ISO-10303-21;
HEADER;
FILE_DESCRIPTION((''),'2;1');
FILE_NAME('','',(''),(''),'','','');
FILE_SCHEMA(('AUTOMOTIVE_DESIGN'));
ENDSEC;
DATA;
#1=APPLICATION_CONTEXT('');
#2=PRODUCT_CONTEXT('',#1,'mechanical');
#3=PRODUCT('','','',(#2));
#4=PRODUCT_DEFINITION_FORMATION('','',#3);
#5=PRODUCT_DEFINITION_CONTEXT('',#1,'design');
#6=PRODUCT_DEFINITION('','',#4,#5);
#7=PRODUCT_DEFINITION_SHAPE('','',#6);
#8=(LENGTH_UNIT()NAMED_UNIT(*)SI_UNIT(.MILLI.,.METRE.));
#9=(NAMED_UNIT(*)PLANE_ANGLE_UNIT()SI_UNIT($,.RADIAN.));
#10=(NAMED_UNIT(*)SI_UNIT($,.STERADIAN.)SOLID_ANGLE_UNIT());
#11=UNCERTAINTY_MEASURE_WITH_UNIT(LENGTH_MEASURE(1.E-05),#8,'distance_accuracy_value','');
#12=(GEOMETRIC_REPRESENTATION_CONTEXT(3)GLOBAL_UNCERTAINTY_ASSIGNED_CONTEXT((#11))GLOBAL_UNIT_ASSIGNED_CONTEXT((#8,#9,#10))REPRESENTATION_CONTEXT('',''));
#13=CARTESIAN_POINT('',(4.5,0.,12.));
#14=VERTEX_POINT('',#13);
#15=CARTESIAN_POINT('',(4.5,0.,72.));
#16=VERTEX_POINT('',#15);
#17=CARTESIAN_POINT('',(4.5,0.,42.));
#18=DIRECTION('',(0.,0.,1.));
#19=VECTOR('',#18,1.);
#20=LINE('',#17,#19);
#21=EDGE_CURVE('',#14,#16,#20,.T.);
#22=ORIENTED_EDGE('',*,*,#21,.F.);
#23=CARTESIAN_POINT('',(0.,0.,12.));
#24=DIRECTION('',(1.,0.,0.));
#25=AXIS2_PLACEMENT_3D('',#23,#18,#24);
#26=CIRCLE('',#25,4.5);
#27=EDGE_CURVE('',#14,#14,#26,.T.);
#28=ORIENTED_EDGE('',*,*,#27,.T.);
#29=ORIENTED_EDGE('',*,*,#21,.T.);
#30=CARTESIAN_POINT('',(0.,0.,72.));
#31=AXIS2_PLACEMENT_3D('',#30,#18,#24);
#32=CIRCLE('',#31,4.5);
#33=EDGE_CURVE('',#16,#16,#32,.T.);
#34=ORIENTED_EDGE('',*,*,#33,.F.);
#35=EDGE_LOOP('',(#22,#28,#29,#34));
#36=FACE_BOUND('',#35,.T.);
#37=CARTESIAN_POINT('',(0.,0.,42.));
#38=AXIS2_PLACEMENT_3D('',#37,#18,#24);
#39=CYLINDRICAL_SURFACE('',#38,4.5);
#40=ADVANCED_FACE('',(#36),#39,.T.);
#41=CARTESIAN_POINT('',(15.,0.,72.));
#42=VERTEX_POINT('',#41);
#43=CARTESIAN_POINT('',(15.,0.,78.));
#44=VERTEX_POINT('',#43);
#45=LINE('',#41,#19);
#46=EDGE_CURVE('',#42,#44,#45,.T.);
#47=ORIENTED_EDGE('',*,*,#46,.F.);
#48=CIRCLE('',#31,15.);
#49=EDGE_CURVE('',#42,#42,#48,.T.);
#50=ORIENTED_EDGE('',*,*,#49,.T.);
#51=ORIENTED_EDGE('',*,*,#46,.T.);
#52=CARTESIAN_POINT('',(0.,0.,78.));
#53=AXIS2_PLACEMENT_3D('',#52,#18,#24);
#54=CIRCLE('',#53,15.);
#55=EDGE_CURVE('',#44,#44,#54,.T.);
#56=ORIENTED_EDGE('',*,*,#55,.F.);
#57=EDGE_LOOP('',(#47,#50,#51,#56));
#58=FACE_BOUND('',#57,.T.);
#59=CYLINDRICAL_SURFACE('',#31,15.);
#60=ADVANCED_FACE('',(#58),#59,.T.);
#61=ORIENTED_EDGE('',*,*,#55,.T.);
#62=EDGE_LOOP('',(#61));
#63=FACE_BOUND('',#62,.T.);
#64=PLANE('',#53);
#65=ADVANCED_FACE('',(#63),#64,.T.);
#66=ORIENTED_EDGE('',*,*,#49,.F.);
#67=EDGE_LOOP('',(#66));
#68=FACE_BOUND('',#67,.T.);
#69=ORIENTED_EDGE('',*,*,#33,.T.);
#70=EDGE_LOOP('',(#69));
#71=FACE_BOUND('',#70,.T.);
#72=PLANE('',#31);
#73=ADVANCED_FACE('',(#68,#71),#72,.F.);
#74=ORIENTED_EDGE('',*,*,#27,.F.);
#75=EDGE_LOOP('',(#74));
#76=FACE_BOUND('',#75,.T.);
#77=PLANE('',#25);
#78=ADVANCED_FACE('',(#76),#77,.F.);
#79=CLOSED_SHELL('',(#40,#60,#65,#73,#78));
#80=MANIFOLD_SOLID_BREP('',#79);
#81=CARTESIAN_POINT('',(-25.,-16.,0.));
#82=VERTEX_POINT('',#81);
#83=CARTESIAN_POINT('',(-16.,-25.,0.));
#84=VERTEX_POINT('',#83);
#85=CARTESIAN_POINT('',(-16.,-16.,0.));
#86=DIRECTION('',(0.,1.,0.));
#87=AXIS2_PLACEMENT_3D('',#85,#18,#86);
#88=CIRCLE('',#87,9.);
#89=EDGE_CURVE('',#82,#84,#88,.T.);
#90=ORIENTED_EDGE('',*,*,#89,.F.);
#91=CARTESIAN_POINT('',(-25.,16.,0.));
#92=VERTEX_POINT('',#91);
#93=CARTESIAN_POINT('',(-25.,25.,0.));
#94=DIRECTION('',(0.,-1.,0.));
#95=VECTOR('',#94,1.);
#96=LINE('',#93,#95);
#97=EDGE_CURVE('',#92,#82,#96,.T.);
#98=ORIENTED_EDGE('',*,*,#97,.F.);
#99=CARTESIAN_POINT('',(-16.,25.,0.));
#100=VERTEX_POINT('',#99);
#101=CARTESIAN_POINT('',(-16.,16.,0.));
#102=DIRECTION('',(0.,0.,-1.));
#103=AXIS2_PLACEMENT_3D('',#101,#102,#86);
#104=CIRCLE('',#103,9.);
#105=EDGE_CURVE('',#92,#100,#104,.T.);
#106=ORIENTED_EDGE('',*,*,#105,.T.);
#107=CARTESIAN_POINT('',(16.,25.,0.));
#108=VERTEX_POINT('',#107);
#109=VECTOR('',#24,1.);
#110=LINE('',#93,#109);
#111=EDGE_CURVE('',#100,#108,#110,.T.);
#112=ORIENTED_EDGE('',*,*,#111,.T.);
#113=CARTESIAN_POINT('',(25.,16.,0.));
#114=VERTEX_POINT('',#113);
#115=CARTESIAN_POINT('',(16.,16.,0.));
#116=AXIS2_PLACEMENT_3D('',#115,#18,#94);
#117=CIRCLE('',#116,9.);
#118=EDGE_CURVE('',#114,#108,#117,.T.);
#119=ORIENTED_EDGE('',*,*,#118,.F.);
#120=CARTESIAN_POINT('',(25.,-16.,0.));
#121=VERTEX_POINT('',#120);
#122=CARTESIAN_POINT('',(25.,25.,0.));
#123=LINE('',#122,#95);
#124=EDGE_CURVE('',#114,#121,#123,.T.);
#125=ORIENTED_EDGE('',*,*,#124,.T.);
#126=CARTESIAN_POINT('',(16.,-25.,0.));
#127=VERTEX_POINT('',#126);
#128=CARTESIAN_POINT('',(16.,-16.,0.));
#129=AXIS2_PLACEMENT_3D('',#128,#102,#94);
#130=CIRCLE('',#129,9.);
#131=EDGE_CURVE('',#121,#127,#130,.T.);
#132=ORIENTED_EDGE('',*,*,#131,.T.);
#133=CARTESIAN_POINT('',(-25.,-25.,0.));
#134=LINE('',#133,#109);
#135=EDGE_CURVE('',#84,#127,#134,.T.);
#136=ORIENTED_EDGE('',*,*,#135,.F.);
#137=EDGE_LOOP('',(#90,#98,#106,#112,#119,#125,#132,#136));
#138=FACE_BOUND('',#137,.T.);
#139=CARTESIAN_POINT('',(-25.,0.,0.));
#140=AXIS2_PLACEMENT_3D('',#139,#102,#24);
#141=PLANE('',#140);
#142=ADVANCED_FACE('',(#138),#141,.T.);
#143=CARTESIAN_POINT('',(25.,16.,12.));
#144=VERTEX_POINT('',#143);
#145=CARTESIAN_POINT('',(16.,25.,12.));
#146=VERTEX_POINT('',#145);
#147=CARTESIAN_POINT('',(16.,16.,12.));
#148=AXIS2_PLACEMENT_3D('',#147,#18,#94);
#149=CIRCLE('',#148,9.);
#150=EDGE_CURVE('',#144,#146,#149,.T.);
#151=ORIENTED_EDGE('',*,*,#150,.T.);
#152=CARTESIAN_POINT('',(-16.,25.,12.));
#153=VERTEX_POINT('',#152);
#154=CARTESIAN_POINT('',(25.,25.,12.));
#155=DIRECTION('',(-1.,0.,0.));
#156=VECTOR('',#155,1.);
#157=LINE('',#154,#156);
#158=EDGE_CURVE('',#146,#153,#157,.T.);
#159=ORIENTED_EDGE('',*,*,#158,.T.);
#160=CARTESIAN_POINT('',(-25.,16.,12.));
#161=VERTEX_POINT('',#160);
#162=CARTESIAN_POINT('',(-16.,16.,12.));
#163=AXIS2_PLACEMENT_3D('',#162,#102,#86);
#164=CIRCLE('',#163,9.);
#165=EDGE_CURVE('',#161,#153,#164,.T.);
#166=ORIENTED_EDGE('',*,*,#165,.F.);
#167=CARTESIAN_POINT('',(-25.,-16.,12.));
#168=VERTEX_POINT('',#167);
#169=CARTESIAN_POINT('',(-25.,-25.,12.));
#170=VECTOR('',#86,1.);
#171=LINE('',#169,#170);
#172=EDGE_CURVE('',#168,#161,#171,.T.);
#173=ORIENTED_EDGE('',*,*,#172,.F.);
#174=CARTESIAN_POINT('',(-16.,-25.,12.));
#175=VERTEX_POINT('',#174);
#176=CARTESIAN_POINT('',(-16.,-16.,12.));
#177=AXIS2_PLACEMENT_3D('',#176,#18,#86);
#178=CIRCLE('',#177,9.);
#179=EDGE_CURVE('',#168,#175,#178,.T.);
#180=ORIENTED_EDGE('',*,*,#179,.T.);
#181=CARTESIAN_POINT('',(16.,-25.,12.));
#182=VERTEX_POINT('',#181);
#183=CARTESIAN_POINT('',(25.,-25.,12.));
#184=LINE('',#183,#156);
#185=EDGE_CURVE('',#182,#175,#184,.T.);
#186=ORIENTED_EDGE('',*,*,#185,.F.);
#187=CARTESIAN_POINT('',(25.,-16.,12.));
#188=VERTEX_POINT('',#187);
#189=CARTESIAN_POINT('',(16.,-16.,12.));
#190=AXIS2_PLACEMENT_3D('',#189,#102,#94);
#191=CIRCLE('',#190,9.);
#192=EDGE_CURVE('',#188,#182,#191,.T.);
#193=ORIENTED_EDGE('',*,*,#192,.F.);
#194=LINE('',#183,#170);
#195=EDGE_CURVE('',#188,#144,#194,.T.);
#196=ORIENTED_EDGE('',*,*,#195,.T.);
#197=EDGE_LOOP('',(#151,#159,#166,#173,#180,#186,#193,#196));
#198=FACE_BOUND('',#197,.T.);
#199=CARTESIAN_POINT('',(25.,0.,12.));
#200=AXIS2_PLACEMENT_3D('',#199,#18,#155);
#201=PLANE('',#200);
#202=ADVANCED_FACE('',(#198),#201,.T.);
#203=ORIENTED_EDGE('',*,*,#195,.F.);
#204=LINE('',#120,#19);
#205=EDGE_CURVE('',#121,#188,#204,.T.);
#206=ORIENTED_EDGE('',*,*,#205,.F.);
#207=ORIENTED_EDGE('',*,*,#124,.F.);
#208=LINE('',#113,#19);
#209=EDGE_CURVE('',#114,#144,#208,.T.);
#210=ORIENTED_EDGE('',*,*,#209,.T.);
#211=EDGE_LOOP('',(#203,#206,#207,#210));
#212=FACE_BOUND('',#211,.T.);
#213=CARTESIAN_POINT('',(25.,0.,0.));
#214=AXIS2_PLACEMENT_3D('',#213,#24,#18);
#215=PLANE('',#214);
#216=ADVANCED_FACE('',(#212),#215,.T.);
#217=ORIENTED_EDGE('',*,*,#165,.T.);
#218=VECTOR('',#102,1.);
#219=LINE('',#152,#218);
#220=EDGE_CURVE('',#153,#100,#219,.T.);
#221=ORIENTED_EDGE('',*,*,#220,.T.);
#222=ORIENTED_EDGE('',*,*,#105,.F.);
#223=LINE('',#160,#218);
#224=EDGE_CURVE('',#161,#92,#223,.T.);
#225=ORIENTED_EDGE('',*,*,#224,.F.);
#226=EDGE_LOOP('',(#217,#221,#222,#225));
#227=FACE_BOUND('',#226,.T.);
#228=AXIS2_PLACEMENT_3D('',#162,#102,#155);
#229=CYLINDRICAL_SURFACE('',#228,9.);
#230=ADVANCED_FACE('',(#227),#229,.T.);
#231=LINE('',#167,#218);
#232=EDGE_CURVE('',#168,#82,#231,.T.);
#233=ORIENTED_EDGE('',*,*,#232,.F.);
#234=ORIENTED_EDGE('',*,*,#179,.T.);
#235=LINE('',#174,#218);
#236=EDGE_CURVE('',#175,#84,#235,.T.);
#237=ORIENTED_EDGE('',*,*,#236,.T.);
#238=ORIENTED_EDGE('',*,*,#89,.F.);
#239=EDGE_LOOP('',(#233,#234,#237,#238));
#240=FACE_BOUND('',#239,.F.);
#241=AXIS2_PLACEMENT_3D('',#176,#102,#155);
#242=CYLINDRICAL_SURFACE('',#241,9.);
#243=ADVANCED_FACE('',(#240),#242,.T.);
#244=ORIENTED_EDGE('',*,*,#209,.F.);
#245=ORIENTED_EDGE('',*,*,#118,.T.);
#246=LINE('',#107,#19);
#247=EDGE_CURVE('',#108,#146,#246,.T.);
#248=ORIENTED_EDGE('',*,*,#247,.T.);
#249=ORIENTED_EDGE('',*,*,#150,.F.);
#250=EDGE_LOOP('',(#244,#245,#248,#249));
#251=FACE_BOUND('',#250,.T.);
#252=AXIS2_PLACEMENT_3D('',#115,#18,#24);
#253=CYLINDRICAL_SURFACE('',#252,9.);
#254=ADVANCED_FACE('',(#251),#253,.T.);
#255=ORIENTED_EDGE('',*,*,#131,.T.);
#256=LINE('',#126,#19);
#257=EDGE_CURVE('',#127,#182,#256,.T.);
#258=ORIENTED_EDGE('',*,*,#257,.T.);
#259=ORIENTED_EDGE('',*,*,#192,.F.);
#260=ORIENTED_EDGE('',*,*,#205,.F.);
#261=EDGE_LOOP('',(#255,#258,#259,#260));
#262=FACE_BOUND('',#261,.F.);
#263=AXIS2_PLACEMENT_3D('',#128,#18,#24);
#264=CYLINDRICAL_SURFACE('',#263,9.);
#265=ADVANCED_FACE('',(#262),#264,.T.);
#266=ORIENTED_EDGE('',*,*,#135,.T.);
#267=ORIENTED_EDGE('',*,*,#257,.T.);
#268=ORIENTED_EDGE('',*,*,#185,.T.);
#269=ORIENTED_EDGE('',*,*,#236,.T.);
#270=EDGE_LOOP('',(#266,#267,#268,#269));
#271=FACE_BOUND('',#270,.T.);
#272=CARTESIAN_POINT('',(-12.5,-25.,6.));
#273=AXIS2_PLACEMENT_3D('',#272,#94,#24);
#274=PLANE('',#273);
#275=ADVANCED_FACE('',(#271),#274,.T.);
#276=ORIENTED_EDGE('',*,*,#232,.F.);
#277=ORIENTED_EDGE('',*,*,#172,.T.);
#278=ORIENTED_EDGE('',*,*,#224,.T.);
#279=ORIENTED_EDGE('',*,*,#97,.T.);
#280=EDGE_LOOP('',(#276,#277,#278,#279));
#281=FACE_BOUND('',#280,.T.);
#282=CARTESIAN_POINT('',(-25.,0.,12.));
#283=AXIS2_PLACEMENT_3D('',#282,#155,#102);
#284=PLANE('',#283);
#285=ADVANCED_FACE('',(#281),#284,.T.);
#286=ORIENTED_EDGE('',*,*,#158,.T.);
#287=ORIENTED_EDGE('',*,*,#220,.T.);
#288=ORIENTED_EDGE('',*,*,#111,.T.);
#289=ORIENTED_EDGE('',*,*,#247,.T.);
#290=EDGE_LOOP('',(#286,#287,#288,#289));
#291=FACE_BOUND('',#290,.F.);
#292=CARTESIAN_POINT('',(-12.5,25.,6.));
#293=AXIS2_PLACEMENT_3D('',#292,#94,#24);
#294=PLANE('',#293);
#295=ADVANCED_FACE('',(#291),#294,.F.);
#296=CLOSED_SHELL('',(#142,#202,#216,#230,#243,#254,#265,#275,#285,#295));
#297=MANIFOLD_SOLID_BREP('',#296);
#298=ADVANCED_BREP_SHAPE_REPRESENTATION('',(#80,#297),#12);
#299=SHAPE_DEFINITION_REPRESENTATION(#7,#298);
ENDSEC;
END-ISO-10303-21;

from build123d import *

# Parameters (mm, degrees)
F1_DEPTH = 25
F0_W     = 4.5
F0_H     = 60
F3_R     = 9


with BuildPart() as f1:
    # F0 (on Front) → F1 (new body, symmetric)
    with BuildSketch(Plane.XZ):
        Polygon((-25, 12), (-25, 0), (0, 0), (0, 12), (-4.5, 12), align=None)
        Polygon((0, 12), (0, 0), (25, 0), (25, 12), (4.5, 12), align=None)
    extrude(amount=F1_DEPTH, both=True)

    # F3
    f3_edges = [f1.edges().sort_by_distance(p)[0] for p in [
        (-25, -25, 6),
        (25, -25, 6),
        (25, 25, 6),
        (-25, 25, 6),
    ]]
    fillet(f3_edges, radius=F3_R)


with BuildPart() as f2:
    # F0 (on Front) → F2 (revolve)
    with BuildSketch(Plane.XZ):
        with Locations((2.25, 42)):
            Rectangle(F0_W, F0_H)
        Polygon((0, 78), (0, 72), (4.5, 72), (15, 72), (15, 78), align=None)
    revolve(axis=Axis((0, 0, 39), (0, 0, 1)))


solid = Compound([f1.part, f2.part])
